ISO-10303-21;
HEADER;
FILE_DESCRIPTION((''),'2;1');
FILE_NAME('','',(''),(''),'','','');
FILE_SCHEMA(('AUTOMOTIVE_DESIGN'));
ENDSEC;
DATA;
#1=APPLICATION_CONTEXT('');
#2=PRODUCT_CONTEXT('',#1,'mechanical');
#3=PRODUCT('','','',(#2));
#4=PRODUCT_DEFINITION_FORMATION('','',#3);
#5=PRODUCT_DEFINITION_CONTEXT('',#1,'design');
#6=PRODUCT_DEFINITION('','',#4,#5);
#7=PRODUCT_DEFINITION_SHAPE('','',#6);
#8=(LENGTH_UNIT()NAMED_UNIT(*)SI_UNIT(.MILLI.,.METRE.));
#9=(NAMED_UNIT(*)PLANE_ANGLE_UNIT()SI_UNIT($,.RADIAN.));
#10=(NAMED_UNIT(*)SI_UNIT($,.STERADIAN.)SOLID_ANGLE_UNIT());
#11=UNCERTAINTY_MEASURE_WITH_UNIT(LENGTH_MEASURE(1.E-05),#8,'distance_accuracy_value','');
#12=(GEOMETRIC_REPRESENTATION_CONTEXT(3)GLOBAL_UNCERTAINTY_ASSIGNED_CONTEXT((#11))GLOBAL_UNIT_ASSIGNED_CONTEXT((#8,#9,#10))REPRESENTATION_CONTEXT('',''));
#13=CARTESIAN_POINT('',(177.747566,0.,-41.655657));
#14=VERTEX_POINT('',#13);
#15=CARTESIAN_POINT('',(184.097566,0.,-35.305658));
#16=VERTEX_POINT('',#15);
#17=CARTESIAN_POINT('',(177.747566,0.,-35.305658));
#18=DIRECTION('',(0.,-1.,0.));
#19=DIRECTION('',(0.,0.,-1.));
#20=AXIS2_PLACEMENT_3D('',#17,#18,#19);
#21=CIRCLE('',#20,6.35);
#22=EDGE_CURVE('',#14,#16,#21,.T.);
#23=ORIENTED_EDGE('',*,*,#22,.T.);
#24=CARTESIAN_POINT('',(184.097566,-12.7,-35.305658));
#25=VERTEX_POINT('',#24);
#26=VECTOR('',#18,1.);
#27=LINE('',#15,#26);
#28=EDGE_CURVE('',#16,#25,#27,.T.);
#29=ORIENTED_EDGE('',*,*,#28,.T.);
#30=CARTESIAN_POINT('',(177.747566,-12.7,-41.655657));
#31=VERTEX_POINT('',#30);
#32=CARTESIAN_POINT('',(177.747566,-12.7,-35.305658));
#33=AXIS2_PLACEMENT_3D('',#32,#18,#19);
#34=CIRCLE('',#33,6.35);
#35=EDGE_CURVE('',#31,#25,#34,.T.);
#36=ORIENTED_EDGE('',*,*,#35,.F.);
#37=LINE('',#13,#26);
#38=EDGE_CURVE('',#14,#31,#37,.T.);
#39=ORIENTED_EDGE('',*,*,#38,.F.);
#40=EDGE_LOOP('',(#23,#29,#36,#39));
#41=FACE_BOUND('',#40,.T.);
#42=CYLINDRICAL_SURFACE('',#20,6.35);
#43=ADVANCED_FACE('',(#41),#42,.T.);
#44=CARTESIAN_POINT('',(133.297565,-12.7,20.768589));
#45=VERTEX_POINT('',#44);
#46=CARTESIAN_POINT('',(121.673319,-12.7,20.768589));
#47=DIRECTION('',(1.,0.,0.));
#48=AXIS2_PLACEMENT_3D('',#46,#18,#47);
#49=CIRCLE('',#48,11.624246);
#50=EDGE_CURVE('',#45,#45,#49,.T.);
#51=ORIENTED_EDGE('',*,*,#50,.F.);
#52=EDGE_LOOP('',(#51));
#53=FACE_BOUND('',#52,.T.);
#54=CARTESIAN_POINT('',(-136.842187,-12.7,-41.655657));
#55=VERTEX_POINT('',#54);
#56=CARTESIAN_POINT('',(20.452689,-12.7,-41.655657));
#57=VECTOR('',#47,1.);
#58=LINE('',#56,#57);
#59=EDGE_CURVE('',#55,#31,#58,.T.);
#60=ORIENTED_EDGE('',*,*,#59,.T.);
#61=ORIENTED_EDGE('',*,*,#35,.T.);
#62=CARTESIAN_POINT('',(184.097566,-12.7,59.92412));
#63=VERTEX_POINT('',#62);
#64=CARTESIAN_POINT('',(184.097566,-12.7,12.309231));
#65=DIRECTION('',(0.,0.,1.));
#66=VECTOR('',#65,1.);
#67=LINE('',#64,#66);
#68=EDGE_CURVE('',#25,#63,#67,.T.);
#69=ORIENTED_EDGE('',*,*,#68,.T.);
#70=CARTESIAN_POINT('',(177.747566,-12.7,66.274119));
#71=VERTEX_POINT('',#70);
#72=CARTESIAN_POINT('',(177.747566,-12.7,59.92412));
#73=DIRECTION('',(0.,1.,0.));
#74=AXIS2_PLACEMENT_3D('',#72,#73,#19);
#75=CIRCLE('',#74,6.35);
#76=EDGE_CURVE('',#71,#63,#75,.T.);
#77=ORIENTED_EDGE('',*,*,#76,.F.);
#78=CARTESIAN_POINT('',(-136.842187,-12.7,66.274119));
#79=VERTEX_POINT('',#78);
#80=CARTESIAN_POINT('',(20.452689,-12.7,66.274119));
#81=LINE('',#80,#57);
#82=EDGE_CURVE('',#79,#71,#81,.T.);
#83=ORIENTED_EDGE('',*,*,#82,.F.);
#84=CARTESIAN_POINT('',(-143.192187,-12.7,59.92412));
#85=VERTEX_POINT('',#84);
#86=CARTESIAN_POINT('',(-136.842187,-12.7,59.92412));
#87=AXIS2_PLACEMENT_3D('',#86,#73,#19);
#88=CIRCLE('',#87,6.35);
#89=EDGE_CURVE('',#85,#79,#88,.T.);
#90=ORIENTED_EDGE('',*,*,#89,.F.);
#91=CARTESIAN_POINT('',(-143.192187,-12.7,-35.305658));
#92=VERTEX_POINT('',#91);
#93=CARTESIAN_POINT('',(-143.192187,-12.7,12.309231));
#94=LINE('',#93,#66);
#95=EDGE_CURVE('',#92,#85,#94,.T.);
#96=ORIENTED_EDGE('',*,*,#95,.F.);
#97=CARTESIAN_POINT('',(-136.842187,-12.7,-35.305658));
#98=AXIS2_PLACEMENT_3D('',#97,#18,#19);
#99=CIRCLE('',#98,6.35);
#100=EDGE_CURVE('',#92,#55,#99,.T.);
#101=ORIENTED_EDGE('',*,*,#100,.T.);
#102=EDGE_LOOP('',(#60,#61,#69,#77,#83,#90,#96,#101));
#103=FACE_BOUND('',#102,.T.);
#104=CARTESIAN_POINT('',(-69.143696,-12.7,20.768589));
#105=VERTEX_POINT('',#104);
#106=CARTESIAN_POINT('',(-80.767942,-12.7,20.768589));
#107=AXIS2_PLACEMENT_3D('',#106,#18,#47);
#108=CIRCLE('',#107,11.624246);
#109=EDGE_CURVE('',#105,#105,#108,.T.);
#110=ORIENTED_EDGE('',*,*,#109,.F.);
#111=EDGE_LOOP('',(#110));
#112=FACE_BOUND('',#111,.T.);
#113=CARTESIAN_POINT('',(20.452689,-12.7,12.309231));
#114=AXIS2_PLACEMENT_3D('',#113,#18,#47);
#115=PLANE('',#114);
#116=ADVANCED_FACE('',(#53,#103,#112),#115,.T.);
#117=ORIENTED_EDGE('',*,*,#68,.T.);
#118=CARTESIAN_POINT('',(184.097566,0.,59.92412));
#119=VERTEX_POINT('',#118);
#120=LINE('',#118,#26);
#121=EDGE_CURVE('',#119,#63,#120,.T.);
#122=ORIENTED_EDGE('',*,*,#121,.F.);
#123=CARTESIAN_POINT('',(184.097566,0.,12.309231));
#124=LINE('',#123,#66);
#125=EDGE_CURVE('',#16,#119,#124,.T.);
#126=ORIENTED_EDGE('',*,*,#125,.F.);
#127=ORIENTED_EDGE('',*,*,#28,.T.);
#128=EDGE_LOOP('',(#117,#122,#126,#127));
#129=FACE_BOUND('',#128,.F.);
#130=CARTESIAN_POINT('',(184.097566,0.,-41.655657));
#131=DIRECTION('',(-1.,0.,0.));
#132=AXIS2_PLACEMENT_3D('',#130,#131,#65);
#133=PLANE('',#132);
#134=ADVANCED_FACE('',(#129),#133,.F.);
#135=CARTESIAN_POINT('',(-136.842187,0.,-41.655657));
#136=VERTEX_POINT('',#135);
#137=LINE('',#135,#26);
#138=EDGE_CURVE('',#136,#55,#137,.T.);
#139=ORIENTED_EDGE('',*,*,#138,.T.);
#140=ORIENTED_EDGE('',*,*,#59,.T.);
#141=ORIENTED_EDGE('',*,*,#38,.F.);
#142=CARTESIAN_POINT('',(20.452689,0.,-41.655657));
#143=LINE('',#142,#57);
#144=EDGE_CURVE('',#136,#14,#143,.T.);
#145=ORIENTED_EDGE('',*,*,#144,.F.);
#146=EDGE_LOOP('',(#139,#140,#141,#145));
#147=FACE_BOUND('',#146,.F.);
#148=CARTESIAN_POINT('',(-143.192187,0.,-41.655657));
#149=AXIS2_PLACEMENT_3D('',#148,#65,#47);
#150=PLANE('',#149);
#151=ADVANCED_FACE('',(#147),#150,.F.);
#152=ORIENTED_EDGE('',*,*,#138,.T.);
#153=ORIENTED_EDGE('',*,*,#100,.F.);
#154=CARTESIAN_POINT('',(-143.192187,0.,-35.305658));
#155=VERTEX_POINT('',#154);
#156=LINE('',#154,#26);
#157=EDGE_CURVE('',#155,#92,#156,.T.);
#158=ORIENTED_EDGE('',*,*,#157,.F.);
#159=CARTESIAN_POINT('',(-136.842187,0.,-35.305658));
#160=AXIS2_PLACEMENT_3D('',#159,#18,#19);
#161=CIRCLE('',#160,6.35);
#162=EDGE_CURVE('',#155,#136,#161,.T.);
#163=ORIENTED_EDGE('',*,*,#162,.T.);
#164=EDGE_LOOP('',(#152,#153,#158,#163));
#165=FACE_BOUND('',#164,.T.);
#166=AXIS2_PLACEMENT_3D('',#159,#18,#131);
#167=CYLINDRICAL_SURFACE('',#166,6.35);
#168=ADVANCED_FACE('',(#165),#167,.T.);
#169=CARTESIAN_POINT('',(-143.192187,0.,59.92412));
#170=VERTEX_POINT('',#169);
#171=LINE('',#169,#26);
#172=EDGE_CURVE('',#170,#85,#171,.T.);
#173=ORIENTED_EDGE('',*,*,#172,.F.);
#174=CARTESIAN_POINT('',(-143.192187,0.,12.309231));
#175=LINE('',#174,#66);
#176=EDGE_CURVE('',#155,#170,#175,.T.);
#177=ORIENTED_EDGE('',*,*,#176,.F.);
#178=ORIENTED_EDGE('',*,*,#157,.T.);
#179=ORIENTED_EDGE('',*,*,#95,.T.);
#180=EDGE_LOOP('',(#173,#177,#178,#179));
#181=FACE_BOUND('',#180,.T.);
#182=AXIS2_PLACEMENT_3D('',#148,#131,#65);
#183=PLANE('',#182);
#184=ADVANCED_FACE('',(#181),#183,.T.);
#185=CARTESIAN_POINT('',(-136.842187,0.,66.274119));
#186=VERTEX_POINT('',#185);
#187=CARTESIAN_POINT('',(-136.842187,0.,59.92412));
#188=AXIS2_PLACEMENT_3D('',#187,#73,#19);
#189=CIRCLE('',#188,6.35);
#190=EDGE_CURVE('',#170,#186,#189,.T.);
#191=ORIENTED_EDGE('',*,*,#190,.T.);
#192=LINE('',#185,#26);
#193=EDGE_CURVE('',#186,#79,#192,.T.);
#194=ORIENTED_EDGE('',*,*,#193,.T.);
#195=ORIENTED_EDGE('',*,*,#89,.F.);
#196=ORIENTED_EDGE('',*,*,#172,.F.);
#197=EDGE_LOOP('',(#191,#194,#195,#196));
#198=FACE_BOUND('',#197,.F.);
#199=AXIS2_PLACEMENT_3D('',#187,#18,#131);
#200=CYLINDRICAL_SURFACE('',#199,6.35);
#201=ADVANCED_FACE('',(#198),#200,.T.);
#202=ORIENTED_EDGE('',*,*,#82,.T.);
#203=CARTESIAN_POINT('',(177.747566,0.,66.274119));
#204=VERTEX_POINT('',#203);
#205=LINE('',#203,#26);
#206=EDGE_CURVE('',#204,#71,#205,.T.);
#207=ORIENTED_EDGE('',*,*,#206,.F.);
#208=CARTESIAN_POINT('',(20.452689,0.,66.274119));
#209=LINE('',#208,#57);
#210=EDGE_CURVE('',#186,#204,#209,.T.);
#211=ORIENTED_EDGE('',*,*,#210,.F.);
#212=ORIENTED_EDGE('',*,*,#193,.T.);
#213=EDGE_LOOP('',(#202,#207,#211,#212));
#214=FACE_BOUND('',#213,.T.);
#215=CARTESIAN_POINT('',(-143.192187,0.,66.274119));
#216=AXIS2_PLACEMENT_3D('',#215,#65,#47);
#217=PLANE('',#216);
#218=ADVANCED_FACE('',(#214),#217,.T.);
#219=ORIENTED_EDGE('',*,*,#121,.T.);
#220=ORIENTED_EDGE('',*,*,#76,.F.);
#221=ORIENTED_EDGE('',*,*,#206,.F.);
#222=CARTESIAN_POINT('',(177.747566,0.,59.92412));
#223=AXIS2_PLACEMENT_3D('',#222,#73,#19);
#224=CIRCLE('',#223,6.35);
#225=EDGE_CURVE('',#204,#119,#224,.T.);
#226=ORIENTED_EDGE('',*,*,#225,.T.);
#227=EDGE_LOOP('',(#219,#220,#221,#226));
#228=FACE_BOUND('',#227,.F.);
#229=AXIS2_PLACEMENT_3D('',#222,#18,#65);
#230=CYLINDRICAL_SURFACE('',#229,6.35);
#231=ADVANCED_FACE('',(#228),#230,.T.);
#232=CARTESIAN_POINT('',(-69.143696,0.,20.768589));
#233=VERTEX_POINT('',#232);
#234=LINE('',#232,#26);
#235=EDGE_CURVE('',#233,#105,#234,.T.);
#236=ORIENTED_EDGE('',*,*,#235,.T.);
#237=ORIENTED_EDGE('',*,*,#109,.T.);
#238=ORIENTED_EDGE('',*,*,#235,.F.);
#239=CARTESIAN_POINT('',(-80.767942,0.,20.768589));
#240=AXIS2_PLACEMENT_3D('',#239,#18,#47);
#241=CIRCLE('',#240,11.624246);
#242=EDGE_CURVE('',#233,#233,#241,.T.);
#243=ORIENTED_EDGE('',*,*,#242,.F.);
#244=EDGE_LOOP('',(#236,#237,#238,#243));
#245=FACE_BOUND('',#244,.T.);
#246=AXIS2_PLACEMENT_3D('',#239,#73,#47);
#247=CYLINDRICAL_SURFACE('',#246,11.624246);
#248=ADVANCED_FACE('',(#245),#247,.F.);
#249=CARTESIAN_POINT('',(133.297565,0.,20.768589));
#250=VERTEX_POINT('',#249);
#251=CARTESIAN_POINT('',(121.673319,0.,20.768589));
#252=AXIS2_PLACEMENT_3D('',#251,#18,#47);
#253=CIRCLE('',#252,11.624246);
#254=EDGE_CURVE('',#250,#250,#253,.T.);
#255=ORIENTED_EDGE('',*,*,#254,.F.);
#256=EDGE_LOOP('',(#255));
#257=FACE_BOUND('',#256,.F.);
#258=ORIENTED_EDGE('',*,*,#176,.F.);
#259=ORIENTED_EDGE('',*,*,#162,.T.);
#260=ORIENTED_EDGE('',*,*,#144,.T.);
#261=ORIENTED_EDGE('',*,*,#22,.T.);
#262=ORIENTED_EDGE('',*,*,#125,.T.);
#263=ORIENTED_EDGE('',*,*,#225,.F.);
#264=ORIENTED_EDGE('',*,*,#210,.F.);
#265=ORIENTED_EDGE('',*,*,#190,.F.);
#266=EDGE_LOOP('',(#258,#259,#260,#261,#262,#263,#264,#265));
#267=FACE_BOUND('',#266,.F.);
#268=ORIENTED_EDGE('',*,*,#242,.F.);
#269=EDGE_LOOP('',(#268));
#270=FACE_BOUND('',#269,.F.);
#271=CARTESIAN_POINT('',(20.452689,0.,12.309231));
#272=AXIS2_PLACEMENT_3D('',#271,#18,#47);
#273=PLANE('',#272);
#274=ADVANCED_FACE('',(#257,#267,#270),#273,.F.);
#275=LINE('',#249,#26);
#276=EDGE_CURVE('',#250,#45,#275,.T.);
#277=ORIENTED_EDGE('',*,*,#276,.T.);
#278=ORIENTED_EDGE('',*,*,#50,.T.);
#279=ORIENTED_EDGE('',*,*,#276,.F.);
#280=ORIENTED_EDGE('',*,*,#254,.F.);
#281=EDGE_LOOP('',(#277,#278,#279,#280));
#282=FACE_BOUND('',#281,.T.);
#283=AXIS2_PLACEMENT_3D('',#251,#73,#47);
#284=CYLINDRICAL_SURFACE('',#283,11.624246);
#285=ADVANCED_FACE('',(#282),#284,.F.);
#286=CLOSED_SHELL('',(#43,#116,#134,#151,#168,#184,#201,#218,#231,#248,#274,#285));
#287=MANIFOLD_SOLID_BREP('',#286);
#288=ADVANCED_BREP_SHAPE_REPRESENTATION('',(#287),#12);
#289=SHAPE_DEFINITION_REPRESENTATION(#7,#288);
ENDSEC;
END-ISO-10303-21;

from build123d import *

# Parameters (mm, degrees)
F0_W     = 327.289753
F0_H     = 107.929777
F0_R     = 11.624246
F1_DEPTH = 12.7
F2_R     = 6.35


with BuildPart() as f1:
    # F0 (on Front) → F1 (new body)
    with BuildSketch(Plane.XZ):
        with Locations((20.452689, 12.309231)):
            Rectangle(F0_W, F0_H)
        with Locations((-80.767942, 20.768589)):
            Circle(F0_R, mode=Mode.SUBTRACT)
        with Locations((121.673319, 20.768589)):
            Circle(F0_R, mode=Mode.SUBTRACT)
    extrude(amount=F1_DEPTH)

    # F2
    f2_edges = [f1.edges().sort_by_distance(p)[0] for p in [
        (-143.192188, -6.35, 66.27412),
        (-143.192188, -6.35, -41.655657),
        (184.097565, -6.35, -41.655657),
        (184.097565, -6.35, 66.27412),
    ]]
    fillet(f2_edges, radius=F2_R)


solid = f1.part
